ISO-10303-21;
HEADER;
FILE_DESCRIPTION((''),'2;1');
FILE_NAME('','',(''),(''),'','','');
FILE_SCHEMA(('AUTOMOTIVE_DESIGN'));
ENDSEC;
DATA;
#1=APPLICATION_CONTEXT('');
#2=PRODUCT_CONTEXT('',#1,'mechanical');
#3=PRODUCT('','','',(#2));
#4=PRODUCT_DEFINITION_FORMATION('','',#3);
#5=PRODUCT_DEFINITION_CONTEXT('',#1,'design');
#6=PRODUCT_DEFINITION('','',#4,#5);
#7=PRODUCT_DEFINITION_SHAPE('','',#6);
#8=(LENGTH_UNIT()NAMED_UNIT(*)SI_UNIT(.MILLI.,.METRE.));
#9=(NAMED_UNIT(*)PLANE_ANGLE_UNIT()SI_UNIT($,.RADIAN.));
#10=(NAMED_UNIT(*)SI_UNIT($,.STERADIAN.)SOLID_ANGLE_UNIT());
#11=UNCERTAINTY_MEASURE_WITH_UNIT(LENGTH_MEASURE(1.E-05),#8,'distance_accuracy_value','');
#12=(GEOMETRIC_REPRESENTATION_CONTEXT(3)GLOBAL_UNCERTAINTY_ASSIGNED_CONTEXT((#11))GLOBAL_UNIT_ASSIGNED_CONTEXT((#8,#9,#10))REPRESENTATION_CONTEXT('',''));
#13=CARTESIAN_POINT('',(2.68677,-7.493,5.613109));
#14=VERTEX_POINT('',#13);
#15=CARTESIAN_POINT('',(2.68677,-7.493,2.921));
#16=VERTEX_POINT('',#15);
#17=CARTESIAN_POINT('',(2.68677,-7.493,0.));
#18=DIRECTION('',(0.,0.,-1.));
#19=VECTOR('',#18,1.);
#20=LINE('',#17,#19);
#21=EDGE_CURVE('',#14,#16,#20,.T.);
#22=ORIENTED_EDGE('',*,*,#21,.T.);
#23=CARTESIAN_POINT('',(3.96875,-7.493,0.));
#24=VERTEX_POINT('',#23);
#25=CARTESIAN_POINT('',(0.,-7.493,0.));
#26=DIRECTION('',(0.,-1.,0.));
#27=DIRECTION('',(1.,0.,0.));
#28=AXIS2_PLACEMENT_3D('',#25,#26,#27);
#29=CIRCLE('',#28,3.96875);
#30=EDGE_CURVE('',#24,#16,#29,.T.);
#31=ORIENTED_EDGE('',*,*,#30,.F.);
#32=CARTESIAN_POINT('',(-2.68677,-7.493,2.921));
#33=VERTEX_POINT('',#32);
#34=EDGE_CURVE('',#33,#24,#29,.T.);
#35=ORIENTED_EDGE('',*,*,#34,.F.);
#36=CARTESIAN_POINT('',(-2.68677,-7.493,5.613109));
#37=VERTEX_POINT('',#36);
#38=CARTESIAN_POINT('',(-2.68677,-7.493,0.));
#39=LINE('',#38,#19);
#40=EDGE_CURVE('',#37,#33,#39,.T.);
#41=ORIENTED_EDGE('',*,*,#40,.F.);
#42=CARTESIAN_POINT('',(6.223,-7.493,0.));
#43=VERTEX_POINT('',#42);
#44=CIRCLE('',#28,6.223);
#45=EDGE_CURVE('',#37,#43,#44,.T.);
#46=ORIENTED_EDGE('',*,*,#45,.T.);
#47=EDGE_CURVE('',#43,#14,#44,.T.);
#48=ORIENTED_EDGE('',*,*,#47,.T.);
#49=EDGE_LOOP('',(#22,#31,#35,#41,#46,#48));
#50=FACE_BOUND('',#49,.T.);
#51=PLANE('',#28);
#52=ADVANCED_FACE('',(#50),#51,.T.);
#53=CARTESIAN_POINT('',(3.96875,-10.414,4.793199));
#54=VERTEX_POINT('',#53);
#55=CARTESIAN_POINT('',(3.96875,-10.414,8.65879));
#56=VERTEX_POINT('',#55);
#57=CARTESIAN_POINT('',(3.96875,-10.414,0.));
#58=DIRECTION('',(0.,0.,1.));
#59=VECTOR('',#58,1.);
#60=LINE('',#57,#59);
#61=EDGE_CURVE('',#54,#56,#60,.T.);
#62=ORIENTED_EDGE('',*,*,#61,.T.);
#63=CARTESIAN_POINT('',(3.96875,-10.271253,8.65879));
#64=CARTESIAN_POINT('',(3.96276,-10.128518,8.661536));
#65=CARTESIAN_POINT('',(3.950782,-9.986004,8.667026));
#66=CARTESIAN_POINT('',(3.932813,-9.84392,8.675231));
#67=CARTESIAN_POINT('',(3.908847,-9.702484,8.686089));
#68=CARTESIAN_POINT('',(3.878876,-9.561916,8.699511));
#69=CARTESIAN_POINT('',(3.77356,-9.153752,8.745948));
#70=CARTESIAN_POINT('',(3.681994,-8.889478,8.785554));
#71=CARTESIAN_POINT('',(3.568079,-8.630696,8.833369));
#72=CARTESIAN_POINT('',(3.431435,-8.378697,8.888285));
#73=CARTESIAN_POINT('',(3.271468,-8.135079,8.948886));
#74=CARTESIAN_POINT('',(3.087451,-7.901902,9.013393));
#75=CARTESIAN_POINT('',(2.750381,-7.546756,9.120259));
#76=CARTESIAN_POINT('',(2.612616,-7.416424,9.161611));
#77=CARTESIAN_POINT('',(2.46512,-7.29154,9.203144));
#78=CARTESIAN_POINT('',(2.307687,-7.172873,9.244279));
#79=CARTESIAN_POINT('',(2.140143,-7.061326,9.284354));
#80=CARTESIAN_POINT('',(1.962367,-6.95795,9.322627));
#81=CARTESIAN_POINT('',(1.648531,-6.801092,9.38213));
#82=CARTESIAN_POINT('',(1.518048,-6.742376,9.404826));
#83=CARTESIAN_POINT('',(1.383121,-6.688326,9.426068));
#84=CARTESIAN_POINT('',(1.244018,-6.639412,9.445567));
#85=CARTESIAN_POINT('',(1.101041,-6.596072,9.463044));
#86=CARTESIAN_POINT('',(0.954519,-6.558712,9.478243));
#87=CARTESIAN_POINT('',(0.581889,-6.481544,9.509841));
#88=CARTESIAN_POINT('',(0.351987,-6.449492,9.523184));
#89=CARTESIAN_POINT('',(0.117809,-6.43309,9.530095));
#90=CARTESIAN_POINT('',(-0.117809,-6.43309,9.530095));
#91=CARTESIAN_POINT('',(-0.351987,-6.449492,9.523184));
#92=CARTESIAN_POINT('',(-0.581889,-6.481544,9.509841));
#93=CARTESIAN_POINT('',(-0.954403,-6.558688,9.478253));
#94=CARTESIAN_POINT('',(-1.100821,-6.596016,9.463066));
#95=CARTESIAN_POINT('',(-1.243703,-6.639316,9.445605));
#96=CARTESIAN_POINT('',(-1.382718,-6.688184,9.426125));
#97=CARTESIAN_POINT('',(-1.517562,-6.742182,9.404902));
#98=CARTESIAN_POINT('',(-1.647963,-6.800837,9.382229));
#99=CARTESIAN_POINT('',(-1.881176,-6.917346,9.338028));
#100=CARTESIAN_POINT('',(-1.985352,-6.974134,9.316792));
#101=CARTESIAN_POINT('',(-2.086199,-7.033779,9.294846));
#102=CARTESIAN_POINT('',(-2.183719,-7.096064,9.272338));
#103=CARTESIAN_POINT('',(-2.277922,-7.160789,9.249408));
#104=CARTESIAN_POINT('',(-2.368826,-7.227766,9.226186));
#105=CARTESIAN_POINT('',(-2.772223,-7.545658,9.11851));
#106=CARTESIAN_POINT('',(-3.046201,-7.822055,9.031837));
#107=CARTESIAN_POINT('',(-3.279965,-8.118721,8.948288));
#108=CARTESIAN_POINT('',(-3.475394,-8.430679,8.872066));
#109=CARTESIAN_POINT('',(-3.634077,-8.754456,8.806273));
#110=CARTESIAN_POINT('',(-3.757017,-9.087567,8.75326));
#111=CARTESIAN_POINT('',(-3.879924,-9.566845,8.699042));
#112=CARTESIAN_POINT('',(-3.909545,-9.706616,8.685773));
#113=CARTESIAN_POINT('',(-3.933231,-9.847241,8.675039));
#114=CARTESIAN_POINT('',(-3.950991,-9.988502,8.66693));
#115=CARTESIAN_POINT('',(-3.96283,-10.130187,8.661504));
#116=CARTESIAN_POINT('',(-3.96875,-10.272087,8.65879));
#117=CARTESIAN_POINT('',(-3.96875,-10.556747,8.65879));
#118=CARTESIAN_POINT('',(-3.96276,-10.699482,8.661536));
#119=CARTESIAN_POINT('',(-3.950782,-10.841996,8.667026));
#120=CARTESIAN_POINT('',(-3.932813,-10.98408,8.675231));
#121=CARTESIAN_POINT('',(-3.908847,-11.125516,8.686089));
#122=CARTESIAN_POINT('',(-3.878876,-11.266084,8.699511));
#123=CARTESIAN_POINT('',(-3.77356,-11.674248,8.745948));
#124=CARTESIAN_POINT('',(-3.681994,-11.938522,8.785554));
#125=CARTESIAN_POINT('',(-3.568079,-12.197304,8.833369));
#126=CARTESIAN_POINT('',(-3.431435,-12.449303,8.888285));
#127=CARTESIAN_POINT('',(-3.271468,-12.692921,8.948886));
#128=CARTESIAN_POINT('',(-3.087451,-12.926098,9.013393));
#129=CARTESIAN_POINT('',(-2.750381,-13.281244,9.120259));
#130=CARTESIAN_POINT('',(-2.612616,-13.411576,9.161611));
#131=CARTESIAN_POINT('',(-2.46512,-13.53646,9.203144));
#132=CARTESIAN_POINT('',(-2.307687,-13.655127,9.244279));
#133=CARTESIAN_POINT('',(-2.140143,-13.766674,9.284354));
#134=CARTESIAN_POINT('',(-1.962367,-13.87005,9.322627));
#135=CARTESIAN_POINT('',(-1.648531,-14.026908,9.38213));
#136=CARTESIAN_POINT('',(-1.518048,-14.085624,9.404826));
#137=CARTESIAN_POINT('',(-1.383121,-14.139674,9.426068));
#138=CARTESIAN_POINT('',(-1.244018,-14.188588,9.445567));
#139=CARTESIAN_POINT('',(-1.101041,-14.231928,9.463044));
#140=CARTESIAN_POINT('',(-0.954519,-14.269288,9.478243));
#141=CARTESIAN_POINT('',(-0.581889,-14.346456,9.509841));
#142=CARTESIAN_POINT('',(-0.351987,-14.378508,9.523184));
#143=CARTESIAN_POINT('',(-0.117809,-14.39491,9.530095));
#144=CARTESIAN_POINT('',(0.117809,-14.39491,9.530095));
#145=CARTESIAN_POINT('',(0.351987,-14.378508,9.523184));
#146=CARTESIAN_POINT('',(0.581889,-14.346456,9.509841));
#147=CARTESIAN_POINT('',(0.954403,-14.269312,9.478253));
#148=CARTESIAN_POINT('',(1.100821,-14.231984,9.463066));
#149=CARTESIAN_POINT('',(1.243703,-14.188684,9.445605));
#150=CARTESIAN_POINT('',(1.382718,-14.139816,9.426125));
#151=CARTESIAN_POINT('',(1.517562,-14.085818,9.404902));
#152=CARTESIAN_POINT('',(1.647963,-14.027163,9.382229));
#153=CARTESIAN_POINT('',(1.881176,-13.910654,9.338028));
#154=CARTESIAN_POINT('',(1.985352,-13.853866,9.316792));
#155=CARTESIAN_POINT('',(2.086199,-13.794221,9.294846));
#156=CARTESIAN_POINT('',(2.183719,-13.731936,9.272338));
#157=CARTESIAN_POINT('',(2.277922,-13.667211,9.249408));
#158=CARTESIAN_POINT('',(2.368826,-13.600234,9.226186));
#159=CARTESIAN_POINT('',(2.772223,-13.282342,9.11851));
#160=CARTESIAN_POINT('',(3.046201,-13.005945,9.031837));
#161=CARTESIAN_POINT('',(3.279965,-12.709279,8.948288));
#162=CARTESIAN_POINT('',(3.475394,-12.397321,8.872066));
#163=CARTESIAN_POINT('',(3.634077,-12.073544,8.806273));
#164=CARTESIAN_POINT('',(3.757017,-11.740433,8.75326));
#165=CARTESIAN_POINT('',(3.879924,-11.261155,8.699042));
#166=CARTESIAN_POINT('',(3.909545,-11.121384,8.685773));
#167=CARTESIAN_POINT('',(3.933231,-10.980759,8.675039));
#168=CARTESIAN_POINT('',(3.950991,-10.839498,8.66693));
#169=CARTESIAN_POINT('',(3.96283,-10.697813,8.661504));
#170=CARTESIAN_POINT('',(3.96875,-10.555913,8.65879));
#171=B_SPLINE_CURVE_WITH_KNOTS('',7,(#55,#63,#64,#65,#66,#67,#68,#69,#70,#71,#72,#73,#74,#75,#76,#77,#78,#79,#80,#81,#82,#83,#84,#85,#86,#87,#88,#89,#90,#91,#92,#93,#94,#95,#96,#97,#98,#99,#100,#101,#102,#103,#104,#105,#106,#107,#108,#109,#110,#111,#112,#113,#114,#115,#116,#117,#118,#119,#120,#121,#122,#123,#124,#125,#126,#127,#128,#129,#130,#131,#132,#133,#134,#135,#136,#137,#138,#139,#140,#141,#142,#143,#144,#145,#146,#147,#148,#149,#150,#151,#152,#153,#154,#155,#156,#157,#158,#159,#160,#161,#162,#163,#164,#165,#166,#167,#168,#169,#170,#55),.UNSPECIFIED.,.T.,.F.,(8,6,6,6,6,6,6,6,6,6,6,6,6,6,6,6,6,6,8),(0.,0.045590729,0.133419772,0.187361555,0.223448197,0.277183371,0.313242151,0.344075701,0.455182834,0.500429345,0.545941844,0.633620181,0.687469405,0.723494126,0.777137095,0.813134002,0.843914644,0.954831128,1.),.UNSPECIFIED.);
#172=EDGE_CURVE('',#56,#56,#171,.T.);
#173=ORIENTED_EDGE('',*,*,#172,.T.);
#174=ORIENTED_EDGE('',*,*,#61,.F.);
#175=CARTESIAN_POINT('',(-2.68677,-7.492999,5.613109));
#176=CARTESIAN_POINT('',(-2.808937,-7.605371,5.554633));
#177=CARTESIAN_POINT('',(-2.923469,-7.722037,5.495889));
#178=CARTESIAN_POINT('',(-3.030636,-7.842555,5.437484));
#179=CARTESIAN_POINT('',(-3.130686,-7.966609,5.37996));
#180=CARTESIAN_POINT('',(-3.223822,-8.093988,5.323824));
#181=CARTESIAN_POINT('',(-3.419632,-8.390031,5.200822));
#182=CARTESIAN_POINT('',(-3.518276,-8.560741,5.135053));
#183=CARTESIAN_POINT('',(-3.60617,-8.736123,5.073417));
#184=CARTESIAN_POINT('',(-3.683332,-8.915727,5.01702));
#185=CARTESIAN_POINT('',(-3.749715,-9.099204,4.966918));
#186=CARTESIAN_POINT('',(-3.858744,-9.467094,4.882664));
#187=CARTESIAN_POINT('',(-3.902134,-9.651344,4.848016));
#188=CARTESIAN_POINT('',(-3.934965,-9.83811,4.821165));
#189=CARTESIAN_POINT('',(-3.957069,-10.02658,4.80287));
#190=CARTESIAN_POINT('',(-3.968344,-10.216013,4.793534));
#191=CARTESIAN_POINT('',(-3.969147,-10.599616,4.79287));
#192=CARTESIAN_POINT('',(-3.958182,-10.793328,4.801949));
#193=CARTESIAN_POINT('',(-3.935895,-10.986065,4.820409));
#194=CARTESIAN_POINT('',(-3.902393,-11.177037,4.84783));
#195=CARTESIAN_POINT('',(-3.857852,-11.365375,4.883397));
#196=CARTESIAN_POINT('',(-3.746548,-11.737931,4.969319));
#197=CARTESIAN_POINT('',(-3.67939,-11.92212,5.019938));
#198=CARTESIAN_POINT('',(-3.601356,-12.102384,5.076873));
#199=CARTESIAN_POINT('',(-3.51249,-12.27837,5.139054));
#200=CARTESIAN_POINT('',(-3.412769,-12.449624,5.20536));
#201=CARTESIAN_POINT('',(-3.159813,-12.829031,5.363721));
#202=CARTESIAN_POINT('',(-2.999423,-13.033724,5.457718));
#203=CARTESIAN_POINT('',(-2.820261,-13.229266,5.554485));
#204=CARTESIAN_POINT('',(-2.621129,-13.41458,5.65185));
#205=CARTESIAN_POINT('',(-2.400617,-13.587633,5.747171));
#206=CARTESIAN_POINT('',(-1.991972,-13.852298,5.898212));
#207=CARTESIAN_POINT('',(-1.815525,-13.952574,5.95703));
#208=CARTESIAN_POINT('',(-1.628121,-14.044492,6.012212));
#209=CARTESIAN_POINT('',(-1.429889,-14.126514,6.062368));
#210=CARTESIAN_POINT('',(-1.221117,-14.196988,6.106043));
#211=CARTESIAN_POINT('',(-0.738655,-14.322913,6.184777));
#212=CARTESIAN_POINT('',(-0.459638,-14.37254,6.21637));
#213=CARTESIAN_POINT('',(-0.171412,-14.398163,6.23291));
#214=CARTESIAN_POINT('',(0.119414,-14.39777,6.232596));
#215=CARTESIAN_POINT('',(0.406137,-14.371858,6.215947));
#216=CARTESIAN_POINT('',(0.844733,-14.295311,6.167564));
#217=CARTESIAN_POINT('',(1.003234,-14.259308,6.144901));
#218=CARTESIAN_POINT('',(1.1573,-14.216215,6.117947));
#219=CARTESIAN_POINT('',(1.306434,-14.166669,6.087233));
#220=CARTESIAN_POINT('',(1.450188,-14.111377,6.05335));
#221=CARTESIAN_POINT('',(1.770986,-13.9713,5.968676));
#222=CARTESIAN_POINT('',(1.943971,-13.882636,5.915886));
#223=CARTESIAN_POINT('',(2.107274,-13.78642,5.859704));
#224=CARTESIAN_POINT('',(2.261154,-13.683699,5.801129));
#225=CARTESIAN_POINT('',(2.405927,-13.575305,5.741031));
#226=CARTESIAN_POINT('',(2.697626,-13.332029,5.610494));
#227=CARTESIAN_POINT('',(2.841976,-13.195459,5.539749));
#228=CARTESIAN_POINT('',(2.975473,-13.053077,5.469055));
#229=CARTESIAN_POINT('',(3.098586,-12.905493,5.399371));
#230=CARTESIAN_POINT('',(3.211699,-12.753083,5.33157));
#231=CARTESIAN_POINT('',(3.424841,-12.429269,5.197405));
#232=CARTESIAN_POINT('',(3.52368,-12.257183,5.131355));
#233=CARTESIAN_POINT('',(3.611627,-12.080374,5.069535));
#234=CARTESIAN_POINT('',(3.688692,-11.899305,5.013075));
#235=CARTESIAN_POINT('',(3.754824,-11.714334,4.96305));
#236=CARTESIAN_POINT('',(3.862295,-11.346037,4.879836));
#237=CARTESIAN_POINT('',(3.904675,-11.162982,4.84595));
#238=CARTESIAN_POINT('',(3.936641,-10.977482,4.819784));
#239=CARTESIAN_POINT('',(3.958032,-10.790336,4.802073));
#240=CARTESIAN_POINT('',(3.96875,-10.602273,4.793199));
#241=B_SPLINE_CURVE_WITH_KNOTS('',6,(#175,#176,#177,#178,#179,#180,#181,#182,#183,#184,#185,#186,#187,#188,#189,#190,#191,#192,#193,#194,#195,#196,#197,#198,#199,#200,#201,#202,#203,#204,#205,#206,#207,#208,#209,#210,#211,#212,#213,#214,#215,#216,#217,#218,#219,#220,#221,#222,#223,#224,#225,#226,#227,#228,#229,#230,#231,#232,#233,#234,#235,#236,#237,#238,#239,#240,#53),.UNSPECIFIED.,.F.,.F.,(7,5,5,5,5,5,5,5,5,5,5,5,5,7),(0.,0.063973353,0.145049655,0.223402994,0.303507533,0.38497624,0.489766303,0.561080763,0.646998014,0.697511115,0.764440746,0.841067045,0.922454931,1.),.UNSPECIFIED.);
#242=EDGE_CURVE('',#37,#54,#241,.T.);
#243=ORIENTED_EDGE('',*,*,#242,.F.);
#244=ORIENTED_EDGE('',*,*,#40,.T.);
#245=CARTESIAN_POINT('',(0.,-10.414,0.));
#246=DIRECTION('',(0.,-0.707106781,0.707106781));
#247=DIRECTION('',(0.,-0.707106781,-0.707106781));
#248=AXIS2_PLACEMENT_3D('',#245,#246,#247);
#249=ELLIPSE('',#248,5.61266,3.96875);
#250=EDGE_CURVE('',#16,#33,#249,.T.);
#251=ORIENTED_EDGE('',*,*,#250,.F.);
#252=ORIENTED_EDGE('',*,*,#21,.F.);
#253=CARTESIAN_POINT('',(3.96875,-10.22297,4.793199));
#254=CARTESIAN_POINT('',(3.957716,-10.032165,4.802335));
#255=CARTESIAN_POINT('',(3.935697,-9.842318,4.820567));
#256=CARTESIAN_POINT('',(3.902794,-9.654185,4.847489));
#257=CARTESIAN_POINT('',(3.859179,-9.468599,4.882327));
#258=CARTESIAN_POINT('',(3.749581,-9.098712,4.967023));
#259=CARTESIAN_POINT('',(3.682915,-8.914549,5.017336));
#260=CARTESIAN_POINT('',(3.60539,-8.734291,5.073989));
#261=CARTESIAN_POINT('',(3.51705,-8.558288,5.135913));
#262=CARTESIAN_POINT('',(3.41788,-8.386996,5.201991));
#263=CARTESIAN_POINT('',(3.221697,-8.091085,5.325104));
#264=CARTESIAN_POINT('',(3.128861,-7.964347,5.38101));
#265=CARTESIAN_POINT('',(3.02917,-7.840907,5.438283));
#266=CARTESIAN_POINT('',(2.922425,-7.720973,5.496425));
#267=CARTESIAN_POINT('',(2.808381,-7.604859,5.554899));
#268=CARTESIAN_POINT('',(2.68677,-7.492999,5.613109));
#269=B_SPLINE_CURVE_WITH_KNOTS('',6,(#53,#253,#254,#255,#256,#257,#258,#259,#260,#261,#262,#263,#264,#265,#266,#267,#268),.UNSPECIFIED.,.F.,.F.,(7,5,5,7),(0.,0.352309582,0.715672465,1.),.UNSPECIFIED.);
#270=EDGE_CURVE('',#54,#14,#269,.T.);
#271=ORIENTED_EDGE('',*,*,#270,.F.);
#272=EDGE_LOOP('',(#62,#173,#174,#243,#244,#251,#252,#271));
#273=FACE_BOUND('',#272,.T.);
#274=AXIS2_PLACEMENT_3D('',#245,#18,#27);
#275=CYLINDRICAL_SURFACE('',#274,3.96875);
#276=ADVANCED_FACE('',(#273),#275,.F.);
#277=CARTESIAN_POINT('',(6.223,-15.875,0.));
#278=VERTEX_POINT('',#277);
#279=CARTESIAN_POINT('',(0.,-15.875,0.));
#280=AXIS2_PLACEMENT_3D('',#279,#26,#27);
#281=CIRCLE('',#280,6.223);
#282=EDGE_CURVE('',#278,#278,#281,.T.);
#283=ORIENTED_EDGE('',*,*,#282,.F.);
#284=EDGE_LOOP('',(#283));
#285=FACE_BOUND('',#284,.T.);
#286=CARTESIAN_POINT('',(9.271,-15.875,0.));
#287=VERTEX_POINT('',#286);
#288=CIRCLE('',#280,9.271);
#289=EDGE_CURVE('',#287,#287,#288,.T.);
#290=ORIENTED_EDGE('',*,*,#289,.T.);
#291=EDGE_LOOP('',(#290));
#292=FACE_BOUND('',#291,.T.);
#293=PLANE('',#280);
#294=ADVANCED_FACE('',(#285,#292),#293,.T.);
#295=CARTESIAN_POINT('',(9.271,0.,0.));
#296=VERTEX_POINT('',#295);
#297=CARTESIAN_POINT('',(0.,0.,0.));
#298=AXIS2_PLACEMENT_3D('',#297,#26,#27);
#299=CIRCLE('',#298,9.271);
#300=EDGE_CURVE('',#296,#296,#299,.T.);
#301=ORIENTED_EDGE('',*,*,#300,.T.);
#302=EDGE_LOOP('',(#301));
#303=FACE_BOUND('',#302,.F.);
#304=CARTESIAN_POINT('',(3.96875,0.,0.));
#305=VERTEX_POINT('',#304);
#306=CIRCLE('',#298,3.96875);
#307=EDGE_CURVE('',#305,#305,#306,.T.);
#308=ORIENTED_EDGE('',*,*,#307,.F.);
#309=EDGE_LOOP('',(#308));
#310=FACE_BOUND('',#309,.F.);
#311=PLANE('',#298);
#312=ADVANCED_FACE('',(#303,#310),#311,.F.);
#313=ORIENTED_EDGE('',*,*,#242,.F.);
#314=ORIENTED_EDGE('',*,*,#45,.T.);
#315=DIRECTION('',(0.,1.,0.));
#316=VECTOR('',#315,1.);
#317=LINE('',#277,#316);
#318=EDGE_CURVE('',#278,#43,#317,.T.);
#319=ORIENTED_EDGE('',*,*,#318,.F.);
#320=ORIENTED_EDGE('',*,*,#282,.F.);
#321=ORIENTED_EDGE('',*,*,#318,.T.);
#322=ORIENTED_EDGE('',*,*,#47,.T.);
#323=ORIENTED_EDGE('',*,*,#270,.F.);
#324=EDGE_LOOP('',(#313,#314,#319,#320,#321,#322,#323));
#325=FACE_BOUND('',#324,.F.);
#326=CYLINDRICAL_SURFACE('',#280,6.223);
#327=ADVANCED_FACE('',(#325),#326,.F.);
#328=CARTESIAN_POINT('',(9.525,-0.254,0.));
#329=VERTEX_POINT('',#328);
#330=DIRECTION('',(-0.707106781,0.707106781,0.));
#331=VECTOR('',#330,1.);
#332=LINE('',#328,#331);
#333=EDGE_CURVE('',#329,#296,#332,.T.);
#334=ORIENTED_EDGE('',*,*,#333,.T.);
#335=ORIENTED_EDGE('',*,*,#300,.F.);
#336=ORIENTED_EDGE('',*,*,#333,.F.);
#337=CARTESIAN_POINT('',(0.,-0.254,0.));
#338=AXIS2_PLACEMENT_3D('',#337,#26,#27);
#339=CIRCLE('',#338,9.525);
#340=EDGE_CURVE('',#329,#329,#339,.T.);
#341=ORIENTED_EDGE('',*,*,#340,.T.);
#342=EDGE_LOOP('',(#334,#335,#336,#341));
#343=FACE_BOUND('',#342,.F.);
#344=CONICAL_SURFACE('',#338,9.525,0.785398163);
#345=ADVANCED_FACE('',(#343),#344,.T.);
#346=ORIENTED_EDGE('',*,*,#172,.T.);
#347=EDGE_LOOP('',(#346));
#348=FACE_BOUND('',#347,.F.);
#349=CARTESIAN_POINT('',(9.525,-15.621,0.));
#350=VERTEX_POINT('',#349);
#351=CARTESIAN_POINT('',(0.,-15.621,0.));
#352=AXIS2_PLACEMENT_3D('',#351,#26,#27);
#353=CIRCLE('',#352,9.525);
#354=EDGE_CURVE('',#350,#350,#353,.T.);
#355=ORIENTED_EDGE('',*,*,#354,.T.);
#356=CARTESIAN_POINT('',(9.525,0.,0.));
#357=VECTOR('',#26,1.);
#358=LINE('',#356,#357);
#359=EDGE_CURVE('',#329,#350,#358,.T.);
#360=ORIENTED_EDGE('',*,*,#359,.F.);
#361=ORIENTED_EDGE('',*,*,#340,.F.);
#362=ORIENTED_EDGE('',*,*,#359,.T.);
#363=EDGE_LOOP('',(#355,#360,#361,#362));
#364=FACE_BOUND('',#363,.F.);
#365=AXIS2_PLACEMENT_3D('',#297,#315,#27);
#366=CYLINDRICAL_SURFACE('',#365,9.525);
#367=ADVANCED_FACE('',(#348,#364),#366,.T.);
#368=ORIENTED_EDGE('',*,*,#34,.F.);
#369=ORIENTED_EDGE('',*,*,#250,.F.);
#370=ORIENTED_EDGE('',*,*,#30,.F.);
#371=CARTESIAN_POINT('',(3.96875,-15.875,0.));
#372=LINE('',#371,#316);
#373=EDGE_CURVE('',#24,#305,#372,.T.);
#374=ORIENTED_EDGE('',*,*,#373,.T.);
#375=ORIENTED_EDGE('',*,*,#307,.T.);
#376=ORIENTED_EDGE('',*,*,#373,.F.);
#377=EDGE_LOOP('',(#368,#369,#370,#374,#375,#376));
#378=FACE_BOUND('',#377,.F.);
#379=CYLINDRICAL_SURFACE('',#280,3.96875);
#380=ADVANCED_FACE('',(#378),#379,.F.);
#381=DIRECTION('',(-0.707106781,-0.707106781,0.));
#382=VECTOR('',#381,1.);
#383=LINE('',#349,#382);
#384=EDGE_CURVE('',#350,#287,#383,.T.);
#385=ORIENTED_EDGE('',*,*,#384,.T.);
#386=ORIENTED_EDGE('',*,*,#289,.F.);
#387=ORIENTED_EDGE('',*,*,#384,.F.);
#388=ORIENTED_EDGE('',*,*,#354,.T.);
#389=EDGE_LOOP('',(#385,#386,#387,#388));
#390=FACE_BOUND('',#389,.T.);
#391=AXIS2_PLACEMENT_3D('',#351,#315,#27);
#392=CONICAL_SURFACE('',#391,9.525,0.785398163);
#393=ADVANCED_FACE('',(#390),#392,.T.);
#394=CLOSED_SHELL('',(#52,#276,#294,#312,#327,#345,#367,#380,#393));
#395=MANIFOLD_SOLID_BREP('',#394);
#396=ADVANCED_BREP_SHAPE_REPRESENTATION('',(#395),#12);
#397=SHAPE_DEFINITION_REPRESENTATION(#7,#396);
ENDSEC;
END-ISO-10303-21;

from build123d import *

# Parameters (mm, degrees)
F0_R     = 9.525
F1_DEPTH = 15.875
F2_R     = 3.96875
F3_DEPTH = 15.876
F4_R     = 6.223
F4_R_2   = 3.96875
F5_DEPTH = 8.382
F6_SIZE  = 0.254
F7_R     = 3.96875
F8_DEPTH = 10.5250001002


with BuildPart() as f1:
    # F0 (on Front) → F1 (new body)
    with BuildSketch(Plane.XZ):
        Circle(F0_R)
    extrude(amount=F1_DEPTH)

    # F2 (on face) → F3 (cut, through all)
    with BuildSketch(Plane.XZ.offset(15.875)):
        Circle(F2_R)
    extrude(amount=-F3_DEPTH, mode=Mode.SUBTRACT)

    # F4 (on face) → F5 (cut)
    with BuildSketch(Plane.XZ.offset(15.875)):
        Circle(F4_R)
        Circle(F4_R_2, mode=Mode.SUBTRACT)
    extrude(amount=-F5_DEPTH, mode=Mode.SUBTRACT)

    # F6
    f6_edges = [f1.edges().sort_by_distance(p)[0] for p in [
        (-9.525, -15.875, 0),
        (-9.525, 0, 0),
    ]]
    chamfer(f6_edges, length=F6_SIZE)

    # F7 (on Top) → F8 (cut, up to face)
    with BuildSketch(Plane.XY):
        with Locations((0, -10.414)):
            Circle(F7_R)
    extrude(amount=F8_DEPTH, mode=Mode.SUBTRACT)


solid = f1.part
